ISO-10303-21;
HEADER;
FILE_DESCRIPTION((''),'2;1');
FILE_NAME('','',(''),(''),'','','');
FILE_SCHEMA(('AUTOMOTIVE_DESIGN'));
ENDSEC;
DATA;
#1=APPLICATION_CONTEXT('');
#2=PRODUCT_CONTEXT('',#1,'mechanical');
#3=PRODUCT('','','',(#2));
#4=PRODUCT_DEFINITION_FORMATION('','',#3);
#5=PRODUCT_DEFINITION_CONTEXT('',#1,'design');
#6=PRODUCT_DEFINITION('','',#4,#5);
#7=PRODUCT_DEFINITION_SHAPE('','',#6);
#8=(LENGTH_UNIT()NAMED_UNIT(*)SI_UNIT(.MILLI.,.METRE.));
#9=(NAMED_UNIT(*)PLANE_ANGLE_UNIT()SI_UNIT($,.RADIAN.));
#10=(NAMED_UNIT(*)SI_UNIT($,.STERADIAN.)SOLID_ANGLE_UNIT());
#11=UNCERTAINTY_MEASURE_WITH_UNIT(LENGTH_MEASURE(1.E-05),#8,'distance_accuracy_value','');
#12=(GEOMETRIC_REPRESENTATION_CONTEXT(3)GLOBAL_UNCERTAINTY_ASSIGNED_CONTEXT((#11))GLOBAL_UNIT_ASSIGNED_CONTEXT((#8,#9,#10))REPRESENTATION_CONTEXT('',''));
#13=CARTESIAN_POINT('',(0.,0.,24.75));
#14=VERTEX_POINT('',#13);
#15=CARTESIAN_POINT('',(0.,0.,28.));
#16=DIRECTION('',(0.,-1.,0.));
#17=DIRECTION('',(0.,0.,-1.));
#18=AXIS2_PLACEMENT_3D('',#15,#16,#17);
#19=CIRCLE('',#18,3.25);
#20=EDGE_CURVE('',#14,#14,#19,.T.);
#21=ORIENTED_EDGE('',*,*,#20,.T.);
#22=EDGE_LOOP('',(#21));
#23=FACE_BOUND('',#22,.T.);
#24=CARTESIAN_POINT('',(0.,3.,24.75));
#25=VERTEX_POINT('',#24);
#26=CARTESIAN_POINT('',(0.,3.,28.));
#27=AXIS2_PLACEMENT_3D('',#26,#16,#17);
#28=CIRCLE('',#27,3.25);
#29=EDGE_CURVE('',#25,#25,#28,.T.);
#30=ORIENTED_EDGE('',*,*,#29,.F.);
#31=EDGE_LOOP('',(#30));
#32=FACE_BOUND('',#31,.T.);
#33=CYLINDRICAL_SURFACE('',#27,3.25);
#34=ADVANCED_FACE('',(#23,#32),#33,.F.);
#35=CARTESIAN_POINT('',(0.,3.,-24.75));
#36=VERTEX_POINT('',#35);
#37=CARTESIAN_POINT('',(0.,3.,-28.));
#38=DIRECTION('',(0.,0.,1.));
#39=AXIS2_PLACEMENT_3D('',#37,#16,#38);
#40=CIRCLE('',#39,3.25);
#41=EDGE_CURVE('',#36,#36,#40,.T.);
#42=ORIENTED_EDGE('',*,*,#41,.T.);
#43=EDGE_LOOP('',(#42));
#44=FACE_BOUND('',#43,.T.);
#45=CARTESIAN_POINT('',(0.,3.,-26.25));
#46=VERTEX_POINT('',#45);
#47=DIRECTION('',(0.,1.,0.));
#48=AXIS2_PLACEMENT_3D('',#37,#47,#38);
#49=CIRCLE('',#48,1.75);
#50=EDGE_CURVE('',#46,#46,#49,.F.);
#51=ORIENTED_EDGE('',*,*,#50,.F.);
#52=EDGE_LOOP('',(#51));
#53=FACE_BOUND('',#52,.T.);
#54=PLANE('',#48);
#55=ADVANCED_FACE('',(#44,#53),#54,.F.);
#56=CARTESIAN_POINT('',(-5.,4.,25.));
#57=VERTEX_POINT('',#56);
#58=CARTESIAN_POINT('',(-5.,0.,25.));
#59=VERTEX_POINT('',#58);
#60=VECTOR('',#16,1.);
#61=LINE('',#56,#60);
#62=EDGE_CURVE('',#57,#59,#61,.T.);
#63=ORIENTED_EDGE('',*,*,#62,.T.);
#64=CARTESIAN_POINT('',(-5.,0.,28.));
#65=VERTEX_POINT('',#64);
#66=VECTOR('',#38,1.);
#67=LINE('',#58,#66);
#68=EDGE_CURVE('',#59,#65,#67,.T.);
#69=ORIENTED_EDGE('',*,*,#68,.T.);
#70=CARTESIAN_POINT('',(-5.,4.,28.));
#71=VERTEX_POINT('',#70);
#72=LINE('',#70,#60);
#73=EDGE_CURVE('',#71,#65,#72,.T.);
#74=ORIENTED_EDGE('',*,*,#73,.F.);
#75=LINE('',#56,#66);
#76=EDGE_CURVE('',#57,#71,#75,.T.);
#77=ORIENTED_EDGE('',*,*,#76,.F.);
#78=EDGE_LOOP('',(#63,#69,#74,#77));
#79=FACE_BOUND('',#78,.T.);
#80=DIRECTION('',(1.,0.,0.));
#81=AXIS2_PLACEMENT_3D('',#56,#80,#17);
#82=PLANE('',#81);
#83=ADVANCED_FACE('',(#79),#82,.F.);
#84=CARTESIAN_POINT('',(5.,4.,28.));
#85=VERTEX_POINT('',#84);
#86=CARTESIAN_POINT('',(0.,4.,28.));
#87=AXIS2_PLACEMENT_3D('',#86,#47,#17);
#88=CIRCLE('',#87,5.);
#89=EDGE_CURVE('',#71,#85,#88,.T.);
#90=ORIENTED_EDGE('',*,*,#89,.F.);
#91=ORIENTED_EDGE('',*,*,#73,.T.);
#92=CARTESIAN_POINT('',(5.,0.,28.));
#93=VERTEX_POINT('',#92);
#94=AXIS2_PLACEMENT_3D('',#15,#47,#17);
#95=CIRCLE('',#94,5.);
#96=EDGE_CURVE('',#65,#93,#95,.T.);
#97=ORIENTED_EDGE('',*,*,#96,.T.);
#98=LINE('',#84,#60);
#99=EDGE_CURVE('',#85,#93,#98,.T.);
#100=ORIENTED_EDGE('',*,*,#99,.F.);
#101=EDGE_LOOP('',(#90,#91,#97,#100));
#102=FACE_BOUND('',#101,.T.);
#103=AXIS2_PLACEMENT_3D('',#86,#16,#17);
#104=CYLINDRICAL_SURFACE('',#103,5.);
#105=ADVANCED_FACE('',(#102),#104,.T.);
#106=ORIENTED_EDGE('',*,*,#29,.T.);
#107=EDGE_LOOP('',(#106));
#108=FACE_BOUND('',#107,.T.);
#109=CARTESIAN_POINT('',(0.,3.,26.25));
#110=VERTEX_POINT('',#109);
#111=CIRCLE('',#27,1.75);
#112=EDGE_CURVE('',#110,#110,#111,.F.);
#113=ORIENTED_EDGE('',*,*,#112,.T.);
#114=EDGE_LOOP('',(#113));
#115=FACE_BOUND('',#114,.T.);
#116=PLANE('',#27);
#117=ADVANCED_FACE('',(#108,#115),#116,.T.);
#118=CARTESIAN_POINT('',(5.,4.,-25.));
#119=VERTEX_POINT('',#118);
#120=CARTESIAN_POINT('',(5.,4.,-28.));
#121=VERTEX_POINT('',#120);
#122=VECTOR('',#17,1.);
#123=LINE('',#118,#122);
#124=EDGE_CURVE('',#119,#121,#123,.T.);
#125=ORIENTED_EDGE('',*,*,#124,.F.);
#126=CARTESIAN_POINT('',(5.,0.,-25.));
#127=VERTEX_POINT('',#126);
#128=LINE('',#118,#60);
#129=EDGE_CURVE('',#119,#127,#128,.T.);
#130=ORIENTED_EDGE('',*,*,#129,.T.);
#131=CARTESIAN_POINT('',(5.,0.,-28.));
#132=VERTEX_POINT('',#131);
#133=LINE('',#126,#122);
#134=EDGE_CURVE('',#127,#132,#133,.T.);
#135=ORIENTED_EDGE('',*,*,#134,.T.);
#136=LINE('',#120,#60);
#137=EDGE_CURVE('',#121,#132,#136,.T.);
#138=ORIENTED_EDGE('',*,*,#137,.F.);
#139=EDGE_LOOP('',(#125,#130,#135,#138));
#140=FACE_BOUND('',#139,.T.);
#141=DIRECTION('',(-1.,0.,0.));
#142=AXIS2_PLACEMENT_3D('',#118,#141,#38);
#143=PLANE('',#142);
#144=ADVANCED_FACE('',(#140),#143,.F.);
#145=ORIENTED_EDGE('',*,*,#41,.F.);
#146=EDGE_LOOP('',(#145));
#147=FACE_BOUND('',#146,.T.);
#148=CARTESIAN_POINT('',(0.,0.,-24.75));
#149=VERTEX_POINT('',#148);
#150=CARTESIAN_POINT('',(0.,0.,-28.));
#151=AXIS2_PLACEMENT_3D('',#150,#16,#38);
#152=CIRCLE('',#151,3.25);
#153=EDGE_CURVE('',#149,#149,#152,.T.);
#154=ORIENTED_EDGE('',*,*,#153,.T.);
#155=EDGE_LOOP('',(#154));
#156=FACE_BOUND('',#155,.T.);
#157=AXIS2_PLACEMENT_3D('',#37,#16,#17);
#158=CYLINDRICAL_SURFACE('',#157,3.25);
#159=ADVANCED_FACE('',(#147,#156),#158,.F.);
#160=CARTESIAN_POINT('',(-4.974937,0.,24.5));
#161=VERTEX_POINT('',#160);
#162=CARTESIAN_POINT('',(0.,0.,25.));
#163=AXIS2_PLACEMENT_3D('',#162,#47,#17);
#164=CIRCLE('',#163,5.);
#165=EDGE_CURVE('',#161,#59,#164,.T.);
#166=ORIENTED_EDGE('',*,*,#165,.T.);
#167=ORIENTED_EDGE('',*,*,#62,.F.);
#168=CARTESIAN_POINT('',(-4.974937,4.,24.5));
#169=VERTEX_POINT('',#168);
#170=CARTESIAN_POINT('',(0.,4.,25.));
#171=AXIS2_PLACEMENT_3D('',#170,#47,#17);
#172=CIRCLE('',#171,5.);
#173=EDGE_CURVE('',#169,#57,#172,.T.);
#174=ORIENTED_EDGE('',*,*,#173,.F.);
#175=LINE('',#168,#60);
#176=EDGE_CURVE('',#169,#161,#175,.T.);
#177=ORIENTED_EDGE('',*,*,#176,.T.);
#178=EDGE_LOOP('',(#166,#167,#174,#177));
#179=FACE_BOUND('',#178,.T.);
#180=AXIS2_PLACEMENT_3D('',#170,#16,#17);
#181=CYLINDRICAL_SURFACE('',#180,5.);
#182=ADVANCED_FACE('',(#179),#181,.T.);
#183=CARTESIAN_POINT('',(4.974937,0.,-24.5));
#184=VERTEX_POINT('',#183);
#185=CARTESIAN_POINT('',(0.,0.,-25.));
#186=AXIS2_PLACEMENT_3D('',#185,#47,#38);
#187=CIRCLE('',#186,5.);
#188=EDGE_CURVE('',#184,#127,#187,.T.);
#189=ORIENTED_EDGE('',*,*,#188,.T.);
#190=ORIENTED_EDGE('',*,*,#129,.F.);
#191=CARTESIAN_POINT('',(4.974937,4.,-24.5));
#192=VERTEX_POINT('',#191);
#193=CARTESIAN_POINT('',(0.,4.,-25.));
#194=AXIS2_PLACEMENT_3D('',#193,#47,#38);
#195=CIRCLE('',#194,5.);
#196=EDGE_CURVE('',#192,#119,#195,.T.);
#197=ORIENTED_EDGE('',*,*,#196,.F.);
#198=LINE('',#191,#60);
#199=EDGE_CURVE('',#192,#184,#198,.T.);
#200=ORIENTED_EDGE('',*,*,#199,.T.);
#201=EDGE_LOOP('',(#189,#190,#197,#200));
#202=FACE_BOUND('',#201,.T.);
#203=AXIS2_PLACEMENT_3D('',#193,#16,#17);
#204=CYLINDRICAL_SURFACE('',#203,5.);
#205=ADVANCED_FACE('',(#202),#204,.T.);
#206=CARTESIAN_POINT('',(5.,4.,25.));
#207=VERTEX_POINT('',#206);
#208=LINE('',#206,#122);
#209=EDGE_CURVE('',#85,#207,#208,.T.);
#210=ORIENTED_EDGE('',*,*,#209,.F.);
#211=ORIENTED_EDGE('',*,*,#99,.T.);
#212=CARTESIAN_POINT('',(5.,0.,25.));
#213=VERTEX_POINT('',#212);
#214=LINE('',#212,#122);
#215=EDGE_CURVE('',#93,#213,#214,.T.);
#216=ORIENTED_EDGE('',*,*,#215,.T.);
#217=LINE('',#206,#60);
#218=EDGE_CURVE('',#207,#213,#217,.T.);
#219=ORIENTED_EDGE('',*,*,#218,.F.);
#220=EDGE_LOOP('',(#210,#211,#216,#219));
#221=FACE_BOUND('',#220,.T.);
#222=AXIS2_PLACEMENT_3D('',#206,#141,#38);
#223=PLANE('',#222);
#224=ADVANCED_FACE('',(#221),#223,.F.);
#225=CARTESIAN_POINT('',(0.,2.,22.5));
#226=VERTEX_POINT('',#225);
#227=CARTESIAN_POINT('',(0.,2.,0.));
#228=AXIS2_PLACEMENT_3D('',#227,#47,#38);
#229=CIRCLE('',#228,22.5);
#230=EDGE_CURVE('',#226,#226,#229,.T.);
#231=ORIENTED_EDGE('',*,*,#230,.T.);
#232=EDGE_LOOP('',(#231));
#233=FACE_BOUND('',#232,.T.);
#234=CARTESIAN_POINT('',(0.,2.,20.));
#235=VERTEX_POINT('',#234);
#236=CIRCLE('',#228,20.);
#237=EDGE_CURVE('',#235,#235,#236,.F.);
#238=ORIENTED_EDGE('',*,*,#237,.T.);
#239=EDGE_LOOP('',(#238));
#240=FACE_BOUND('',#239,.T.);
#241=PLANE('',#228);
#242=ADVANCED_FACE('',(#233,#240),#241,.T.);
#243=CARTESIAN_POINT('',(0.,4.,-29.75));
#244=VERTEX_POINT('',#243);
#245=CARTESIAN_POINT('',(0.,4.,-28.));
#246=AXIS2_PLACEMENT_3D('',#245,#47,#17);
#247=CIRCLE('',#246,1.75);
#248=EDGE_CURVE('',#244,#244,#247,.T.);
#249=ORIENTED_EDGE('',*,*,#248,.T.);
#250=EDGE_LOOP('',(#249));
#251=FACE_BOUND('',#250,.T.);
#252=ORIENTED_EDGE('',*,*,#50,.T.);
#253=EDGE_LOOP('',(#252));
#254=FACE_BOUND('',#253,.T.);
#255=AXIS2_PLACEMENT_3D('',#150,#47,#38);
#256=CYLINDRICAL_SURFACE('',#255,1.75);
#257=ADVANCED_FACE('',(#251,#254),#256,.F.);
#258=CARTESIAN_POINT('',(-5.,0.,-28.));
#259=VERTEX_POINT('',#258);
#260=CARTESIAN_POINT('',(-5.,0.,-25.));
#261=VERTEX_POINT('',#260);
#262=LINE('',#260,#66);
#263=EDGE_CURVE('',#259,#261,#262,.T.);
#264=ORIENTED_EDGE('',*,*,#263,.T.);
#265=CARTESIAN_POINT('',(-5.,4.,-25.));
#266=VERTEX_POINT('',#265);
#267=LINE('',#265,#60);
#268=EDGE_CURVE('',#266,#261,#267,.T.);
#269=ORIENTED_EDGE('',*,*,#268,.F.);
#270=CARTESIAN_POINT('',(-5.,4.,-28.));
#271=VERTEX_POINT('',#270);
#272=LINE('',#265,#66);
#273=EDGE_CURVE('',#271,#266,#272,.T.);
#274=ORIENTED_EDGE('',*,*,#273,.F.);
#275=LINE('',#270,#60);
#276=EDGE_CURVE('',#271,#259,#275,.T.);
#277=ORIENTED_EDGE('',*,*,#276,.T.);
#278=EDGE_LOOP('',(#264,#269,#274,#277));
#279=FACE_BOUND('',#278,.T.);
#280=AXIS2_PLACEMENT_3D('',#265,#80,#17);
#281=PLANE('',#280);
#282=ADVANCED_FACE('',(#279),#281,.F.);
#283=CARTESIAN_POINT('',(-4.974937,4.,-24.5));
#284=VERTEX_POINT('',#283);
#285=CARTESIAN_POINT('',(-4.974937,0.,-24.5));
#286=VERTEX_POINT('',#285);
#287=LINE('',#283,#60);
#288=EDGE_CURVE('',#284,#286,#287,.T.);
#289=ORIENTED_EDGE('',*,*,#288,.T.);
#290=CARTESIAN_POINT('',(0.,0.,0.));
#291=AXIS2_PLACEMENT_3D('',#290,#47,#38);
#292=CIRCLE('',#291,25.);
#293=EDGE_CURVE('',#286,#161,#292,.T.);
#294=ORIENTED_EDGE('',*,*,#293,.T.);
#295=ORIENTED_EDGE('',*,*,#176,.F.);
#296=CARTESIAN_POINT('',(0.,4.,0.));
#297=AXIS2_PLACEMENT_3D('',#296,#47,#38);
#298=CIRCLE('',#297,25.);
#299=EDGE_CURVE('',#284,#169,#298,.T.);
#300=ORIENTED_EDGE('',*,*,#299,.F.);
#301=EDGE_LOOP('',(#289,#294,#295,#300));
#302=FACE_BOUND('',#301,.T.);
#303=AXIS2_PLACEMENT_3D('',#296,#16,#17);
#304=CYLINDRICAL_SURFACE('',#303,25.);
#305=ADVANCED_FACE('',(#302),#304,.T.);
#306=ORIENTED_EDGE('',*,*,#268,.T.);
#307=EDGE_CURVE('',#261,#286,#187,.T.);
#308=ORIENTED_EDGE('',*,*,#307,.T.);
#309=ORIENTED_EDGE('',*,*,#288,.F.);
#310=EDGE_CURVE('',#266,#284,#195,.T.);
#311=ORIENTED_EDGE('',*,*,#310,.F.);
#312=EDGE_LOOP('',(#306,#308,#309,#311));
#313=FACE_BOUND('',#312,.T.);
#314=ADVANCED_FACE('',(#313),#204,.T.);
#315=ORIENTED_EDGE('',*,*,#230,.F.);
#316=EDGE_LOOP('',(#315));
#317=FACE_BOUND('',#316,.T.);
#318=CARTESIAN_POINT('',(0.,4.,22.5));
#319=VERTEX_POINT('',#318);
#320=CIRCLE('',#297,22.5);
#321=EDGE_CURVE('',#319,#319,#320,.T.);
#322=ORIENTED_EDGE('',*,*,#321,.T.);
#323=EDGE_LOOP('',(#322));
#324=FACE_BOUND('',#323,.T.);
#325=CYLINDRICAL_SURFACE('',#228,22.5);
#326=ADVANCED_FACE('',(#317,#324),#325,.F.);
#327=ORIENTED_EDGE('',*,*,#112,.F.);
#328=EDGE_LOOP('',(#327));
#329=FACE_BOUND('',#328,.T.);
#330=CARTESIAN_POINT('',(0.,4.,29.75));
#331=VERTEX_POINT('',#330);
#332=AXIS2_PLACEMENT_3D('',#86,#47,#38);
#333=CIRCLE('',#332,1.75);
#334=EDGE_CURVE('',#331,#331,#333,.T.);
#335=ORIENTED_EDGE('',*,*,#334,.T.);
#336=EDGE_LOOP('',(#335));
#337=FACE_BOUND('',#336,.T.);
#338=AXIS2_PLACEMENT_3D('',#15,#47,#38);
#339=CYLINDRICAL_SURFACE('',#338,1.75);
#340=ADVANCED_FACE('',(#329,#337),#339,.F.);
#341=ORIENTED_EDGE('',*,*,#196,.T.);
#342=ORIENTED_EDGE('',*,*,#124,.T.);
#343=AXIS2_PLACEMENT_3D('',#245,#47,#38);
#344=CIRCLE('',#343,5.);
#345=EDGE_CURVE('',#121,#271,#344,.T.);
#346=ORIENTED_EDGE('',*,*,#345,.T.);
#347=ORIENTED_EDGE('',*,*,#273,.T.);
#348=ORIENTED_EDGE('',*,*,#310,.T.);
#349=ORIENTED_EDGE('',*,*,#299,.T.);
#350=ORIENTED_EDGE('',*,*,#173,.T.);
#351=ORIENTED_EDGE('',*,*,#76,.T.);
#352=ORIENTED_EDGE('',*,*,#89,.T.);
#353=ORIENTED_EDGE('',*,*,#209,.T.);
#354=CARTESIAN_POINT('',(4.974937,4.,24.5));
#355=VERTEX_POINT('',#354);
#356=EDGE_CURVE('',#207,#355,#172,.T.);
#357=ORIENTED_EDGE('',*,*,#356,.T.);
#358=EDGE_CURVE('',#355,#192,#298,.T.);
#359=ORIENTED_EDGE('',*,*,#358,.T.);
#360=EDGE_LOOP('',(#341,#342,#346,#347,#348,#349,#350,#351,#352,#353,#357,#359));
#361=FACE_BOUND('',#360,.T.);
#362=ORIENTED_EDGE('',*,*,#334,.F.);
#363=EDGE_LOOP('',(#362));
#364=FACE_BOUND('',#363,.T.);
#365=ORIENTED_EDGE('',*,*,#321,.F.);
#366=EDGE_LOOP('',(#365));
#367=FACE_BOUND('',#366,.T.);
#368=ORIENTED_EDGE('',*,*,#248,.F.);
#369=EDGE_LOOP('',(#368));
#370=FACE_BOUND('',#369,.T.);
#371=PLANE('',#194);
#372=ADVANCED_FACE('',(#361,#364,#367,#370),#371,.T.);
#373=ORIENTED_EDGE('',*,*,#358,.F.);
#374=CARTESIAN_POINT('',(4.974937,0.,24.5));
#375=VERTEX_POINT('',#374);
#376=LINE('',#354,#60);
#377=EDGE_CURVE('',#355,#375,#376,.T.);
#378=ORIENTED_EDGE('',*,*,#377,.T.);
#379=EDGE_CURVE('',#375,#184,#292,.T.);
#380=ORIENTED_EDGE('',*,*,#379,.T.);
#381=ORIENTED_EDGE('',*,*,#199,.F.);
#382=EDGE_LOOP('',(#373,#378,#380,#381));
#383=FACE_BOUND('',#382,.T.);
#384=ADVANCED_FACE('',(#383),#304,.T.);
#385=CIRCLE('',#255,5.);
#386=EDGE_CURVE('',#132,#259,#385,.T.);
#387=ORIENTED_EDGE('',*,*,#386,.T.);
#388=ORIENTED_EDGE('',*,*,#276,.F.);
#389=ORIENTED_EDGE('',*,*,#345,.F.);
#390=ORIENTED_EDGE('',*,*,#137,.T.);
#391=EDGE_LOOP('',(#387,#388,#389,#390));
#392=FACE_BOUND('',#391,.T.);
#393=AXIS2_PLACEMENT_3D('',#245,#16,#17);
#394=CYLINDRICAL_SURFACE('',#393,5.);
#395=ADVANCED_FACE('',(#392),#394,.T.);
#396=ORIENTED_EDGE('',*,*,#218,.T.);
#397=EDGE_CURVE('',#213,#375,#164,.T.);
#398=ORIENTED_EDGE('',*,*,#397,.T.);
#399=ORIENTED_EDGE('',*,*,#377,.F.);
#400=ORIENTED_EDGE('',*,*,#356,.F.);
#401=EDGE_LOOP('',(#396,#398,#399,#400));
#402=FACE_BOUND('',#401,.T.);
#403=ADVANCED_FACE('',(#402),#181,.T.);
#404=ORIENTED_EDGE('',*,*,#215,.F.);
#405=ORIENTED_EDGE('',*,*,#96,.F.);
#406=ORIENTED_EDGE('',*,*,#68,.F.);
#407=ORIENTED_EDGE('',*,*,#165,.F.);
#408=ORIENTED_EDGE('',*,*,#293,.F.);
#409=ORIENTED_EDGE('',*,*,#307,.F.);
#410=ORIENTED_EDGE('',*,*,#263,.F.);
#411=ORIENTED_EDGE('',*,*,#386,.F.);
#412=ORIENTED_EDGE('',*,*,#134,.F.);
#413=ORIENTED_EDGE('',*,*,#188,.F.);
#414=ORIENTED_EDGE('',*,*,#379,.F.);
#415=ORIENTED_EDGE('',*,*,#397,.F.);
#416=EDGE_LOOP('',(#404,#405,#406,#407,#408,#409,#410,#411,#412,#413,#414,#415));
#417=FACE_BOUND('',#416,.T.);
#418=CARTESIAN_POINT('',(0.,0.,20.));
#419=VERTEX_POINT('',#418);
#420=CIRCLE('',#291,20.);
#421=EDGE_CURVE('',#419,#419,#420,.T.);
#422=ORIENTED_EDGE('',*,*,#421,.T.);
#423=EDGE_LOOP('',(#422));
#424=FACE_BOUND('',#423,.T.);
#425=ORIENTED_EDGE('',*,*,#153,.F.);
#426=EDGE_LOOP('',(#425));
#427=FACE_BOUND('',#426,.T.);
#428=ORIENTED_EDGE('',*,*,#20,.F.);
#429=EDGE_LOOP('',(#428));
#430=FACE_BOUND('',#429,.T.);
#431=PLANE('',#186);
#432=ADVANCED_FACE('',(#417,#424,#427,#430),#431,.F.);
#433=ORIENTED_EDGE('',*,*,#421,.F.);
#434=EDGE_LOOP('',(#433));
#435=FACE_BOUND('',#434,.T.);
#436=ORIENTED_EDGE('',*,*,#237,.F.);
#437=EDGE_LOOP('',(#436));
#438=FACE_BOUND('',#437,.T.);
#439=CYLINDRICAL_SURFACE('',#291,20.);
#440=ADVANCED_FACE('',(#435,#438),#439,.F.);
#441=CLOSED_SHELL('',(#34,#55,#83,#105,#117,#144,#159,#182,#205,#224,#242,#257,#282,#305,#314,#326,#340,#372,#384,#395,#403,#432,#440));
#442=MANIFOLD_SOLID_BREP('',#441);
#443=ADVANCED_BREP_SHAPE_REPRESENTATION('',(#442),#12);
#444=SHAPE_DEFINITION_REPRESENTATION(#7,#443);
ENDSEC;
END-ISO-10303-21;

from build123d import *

# Parameters (mm, degrees)
BOSS_EXTRUDE1_DEPTH = 4
SKETCH2_R           = 20
CUT_EXTRUDE1_DEPTH  = 42.593268686
SKETCH3_R           = 22.5
CUT_EXTRUDE2_DEPTH  = 2
SKETCH4_R           = 1.75
CUT_EXTRUDE3_DEPTH  = 42.593268686
SKETCH5_R           = 3.25
CUT_EXTRUDE4_DEPTH  = 3


with BuildPart() as part:
    # Sketch1 → Boss-Extrude1 (new body)
    with BuildSketch(Plane(origin=(0, 0, 0), x_dir=(1, 0, 0), z_dir=(0, 1, 0))):
        with BuildLine():
            Line((-5, 25), (-5, 28))
            ThreePointArc((-5, 28), (0, 33), (5, 28))
            Line((5, 28), (5, 25))
            ThreePointArc((5, 25), (4.993730366, 24.749686125), (4.974937186, 24.5))
            ThreePointArc((4.974937186, 24.5), (25, 0), (4.974937186, -24.5))
            ThreePointArc((4.974937186, -24.5), (4.993730366, -24.749686125), (5, -25))
            Line((5, -25), (5, -28))
            ThreePointArc((5, -28), (0, -33), (-5, -28))
            Line((-5, -28), (-5, -25))
            ThreePointArc((-5, -25), (-4.993730366, -24.749686125), (-4.974937186, -24.5))
            ThreePointArc((-4.974937186, -24.5), (-25, 0), (-4.974937186, 24.5))
            ThreePointArc((-4.974937186, 24.5), (-4.993730366, 24.749686125), (-5, 25))
        make_face()
    extrude(amount=BOSS_EXTRUDE1_DEPTH)

    # Sketch2 → Cut-Extrude1 (cut, through all)
    with BuildSketch(Plane(origin=(0, 4, 0), x_dir=(1, 0, 0), z_dir=(0, 1, 0))):
        with Locations(Location((0, 0, 0), (0, 0, 270))):
            Circle(SKETCH2_R)
    extrude(amount=-CUT_EXTRUDE1_DEPTH, mode=Mode.SUBTRACT)

    # Sketch3 → Cut-Extrude2 (cut)
    with BuildSketch(Plane(origin=(0, 4, 0), x_dir=(1, 0, 0), z_dir=(0, 1, 0))):
        with Locations(Location((0, 0, 0), (0, 0, 270))):
            Circle(SKETCH3_R)
    extrude(amount=-CUT_EXTRUDE2_DEPTH, mode=Mode.SUBTRACT)

    # Sketch4 → Cut-Extrude3 (cut, through all)
    with BuildSketch(Plane(origin=(0, 4, 0), x_dir=(1, 0, 0), z_dir=(0, 1, 0))):
        with Locations(Location((0, -28, 0), (0, 0, 270))):
            Circle(SKETCH4_R)
        with Locations(Location((0, 28, 0), (0, 0, 90))):
            Circle(SKETCH4_R)
    extrude(amount=-CUT_EXTRUDE3_DEPTH, mode=Mode.SUBTRACT)

    # Sketch5 → Cut-Extrude4 (cut)
    with BuildSketch(Plane.XZ):
        with Locations(Location((0, 28, 0), (0, 0, 270))):
            Circle(SKETCH5_R)
        with Locations(Location((0, -28, 0), (0, 0, 90))):
            Circle(SKETCH5_R)
    extrude(amount=-CUT_EXTRUDE4_DEPTH, mode=Mode.SUBTRACT)


solid = part.part
